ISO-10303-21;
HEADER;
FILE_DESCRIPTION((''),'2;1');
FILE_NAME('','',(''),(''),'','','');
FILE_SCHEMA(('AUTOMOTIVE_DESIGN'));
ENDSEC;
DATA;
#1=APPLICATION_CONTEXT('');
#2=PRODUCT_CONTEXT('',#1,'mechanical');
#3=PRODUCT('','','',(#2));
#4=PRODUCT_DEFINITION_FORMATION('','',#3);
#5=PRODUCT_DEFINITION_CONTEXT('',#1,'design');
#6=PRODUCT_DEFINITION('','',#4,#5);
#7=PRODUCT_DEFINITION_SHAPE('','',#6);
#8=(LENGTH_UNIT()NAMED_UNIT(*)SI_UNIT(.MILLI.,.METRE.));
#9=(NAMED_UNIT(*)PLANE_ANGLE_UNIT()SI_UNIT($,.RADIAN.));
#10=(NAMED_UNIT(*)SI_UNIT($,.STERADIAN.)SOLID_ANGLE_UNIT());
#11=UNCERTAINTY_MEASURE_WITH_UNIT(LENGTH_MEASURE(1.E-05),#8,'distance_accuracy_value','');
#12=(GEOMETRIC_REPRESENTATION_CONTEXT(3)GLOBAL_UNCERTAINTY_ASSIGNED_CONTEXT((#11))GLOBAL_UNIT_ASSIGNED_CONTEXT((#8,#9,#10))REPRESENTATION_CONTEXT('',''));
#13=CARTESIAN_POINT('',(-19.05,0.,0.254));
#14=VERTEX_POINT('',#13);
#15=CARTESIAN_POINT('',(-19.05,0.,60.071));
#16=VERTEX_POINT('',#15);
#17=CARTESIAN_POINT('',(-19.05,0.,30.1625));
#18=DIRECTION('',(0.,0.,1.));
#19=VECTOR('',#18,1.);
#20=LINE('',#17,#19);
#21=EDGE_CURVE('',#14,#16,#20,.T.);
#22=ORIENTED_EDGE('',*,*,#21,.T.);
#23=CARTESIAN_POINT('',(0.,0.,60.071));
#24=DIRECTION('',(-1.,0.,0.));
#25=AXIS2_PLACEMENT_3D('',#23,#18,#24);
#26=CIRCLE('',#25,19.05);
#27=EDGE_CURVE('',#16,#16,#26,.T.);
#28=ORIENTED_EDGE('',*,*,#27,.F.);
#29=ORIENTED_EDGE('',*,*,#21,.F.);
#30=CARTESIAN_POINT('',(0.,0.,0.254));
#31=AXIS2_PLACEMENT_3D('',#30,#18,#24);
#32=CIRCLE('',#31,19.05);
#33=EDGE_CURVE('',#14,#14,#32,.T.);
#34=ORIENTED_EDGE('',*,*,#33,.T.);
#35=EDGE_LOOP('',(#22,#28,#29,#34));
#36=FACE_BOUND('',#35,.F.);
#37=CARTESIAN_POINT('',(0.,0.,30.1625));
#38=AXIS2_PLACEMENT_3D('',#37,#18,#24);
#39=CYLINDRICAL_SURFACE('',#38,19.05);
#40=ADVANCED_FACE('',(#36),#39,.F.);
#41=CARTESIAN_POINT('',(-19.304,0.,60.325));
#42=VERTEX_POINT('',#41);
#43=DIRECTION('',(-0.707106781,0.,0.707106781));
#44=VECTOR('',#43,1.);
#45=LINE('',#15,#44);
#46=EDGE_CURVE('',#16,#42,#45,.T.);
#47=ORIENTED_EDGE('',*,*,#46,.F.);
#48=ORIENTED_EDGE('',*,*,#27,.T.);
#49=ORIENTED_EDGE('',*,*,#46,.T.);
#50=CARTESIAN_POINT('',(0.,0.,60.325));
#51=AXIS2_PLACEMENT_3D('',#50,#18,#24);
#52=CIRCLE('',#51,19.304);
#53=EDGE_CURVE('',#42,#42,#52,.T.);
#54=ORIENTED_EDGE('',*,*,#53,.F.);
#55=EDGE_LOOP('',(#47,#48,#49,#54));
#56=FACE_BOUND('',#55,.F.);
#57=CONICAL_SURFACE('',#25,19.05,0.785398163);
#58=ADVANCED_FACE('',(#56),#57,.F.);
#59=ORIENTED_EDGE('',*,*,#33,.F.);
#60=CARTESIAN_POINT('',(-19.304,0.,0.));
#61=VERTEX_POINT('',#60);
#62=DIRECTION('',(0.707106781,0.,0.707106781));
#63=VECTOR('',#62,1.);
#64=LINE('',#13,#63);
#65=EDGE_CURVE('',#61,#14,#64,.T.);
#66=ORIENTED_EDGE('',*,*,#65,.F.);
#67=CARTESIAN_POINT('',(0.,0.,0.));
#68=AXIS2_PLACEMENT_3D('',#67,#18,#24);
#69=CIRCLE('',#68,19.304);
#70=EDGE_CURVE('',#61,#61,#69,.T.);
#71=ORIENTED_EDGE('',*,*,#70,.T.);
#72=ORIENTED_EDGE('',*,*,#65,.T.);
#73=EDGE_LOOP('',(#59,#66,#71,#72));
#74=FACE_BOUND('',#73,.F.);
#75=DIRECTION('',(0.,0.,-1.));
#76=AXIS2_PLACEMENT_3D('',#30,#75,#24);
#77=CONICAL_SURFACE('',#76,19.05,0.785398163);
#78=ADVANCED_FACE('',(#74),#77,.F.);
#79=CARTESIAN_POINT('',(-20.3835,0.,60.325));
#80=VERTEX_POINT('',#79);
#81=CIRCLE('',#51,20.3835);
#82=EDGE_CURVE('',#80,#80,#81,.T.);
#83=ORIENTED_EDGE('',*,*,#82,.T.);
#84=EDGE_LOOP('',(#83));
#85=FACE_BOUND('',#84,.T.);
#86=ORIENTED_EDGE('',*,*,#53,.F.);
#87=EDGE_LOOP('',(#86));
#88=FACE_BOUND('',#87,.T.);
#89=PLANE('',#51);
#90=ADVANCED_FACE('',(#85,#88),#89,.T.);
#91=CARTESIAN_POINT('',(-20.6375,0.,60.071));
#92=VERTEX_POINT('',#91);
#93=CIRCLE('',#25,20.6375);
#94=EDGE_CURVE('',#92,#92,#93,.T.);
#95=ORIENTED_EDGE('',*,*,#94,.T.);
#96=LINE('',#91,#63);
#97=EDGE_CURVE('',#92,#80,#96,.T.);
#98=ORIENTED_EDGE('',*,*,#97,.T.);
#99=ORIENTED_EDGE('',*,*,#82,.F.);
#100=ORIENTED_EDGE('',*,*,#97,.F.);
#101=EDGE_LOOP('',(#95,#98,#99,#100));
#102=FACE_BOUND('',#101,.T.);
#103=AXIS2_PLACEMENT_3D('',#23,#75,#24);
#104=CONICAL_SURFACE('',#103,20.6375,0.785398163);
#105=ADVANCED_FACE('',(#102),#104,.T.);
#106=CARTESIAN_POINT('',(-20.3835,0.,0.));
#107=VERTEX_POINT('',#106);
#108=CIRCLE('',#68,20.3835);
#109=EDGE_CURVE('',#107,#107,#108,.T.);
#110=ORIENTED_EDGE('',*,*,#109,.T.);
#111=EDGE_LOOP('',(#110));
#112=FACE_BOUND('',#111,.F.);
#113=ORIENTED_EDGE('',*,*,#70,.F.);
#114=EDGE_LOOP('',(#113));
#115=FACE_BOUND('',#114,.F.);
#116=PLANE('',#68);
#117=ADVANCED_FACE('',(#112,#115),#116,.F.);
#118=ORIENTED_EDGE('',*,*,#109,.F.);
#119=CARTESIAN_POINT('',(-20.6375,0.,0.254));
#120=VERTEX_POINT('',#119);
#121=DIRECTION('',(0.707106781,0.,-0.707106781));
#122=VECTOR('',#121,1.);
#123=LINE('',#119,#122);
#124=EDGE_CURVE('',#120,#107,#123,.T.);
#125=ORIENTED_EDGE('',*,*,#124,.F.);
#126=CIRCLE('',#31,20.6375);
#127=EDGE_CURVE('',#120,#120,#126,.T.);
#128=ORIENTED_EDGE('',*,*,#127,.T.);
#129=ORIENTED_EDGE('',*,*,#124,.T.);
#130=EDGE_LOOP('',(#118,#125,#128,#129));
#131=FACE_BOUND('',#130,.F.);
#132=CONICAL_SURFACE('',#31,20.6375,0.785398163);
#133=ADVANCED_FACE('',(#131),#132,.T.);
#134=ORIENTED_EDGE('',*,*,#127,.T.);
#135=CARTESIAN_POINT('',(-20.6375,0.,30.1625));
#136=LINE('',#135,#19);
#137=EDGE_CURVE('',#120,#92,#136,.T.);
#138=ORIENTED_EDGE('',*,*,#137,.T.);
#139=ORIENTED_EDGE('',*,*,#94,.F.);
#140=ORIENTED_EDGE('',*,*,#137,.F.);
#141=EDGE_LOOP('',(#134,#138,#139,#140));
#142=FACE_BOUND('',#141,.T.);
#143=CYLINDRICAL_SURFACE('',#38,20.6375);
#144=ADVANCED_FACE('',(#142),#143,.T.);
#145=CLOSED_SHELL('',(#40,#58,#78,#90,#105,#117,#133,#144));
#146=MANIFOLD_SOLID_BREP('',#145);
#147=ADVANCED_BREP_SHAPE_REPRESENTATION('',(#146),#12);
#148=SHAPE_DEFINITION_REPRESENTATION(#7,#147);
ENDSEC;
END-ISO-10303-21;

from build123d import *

# Parameters (mm, degrees)
F0_W    = 1.5875
F0_H    = 60.325
F2_SIZE = 0.254


with BuildPart() as f1:
    # F0 (on Front) → F1 (revolve)
    with BuildSketch(Plane.XZ):
        with Locations((-19.84375, 30.1625)):
            Rectangle(F0_W, F0_H)
    revolve(axis=Axis((0, 0, 30.270437), (0, 0, 1)))

    # F2
    f2_edges = [f1.edges().sort_by_distance(p)[0] for p in [
        (19.05, 0, 60.325),
        (20.6375, 0, 60.325),
        (19.05, 0, 0),
        (20.6375, 0, 0),
    ]]
    chamfer(f2_edges, length=F2_SIZE)


solid = f1.part
